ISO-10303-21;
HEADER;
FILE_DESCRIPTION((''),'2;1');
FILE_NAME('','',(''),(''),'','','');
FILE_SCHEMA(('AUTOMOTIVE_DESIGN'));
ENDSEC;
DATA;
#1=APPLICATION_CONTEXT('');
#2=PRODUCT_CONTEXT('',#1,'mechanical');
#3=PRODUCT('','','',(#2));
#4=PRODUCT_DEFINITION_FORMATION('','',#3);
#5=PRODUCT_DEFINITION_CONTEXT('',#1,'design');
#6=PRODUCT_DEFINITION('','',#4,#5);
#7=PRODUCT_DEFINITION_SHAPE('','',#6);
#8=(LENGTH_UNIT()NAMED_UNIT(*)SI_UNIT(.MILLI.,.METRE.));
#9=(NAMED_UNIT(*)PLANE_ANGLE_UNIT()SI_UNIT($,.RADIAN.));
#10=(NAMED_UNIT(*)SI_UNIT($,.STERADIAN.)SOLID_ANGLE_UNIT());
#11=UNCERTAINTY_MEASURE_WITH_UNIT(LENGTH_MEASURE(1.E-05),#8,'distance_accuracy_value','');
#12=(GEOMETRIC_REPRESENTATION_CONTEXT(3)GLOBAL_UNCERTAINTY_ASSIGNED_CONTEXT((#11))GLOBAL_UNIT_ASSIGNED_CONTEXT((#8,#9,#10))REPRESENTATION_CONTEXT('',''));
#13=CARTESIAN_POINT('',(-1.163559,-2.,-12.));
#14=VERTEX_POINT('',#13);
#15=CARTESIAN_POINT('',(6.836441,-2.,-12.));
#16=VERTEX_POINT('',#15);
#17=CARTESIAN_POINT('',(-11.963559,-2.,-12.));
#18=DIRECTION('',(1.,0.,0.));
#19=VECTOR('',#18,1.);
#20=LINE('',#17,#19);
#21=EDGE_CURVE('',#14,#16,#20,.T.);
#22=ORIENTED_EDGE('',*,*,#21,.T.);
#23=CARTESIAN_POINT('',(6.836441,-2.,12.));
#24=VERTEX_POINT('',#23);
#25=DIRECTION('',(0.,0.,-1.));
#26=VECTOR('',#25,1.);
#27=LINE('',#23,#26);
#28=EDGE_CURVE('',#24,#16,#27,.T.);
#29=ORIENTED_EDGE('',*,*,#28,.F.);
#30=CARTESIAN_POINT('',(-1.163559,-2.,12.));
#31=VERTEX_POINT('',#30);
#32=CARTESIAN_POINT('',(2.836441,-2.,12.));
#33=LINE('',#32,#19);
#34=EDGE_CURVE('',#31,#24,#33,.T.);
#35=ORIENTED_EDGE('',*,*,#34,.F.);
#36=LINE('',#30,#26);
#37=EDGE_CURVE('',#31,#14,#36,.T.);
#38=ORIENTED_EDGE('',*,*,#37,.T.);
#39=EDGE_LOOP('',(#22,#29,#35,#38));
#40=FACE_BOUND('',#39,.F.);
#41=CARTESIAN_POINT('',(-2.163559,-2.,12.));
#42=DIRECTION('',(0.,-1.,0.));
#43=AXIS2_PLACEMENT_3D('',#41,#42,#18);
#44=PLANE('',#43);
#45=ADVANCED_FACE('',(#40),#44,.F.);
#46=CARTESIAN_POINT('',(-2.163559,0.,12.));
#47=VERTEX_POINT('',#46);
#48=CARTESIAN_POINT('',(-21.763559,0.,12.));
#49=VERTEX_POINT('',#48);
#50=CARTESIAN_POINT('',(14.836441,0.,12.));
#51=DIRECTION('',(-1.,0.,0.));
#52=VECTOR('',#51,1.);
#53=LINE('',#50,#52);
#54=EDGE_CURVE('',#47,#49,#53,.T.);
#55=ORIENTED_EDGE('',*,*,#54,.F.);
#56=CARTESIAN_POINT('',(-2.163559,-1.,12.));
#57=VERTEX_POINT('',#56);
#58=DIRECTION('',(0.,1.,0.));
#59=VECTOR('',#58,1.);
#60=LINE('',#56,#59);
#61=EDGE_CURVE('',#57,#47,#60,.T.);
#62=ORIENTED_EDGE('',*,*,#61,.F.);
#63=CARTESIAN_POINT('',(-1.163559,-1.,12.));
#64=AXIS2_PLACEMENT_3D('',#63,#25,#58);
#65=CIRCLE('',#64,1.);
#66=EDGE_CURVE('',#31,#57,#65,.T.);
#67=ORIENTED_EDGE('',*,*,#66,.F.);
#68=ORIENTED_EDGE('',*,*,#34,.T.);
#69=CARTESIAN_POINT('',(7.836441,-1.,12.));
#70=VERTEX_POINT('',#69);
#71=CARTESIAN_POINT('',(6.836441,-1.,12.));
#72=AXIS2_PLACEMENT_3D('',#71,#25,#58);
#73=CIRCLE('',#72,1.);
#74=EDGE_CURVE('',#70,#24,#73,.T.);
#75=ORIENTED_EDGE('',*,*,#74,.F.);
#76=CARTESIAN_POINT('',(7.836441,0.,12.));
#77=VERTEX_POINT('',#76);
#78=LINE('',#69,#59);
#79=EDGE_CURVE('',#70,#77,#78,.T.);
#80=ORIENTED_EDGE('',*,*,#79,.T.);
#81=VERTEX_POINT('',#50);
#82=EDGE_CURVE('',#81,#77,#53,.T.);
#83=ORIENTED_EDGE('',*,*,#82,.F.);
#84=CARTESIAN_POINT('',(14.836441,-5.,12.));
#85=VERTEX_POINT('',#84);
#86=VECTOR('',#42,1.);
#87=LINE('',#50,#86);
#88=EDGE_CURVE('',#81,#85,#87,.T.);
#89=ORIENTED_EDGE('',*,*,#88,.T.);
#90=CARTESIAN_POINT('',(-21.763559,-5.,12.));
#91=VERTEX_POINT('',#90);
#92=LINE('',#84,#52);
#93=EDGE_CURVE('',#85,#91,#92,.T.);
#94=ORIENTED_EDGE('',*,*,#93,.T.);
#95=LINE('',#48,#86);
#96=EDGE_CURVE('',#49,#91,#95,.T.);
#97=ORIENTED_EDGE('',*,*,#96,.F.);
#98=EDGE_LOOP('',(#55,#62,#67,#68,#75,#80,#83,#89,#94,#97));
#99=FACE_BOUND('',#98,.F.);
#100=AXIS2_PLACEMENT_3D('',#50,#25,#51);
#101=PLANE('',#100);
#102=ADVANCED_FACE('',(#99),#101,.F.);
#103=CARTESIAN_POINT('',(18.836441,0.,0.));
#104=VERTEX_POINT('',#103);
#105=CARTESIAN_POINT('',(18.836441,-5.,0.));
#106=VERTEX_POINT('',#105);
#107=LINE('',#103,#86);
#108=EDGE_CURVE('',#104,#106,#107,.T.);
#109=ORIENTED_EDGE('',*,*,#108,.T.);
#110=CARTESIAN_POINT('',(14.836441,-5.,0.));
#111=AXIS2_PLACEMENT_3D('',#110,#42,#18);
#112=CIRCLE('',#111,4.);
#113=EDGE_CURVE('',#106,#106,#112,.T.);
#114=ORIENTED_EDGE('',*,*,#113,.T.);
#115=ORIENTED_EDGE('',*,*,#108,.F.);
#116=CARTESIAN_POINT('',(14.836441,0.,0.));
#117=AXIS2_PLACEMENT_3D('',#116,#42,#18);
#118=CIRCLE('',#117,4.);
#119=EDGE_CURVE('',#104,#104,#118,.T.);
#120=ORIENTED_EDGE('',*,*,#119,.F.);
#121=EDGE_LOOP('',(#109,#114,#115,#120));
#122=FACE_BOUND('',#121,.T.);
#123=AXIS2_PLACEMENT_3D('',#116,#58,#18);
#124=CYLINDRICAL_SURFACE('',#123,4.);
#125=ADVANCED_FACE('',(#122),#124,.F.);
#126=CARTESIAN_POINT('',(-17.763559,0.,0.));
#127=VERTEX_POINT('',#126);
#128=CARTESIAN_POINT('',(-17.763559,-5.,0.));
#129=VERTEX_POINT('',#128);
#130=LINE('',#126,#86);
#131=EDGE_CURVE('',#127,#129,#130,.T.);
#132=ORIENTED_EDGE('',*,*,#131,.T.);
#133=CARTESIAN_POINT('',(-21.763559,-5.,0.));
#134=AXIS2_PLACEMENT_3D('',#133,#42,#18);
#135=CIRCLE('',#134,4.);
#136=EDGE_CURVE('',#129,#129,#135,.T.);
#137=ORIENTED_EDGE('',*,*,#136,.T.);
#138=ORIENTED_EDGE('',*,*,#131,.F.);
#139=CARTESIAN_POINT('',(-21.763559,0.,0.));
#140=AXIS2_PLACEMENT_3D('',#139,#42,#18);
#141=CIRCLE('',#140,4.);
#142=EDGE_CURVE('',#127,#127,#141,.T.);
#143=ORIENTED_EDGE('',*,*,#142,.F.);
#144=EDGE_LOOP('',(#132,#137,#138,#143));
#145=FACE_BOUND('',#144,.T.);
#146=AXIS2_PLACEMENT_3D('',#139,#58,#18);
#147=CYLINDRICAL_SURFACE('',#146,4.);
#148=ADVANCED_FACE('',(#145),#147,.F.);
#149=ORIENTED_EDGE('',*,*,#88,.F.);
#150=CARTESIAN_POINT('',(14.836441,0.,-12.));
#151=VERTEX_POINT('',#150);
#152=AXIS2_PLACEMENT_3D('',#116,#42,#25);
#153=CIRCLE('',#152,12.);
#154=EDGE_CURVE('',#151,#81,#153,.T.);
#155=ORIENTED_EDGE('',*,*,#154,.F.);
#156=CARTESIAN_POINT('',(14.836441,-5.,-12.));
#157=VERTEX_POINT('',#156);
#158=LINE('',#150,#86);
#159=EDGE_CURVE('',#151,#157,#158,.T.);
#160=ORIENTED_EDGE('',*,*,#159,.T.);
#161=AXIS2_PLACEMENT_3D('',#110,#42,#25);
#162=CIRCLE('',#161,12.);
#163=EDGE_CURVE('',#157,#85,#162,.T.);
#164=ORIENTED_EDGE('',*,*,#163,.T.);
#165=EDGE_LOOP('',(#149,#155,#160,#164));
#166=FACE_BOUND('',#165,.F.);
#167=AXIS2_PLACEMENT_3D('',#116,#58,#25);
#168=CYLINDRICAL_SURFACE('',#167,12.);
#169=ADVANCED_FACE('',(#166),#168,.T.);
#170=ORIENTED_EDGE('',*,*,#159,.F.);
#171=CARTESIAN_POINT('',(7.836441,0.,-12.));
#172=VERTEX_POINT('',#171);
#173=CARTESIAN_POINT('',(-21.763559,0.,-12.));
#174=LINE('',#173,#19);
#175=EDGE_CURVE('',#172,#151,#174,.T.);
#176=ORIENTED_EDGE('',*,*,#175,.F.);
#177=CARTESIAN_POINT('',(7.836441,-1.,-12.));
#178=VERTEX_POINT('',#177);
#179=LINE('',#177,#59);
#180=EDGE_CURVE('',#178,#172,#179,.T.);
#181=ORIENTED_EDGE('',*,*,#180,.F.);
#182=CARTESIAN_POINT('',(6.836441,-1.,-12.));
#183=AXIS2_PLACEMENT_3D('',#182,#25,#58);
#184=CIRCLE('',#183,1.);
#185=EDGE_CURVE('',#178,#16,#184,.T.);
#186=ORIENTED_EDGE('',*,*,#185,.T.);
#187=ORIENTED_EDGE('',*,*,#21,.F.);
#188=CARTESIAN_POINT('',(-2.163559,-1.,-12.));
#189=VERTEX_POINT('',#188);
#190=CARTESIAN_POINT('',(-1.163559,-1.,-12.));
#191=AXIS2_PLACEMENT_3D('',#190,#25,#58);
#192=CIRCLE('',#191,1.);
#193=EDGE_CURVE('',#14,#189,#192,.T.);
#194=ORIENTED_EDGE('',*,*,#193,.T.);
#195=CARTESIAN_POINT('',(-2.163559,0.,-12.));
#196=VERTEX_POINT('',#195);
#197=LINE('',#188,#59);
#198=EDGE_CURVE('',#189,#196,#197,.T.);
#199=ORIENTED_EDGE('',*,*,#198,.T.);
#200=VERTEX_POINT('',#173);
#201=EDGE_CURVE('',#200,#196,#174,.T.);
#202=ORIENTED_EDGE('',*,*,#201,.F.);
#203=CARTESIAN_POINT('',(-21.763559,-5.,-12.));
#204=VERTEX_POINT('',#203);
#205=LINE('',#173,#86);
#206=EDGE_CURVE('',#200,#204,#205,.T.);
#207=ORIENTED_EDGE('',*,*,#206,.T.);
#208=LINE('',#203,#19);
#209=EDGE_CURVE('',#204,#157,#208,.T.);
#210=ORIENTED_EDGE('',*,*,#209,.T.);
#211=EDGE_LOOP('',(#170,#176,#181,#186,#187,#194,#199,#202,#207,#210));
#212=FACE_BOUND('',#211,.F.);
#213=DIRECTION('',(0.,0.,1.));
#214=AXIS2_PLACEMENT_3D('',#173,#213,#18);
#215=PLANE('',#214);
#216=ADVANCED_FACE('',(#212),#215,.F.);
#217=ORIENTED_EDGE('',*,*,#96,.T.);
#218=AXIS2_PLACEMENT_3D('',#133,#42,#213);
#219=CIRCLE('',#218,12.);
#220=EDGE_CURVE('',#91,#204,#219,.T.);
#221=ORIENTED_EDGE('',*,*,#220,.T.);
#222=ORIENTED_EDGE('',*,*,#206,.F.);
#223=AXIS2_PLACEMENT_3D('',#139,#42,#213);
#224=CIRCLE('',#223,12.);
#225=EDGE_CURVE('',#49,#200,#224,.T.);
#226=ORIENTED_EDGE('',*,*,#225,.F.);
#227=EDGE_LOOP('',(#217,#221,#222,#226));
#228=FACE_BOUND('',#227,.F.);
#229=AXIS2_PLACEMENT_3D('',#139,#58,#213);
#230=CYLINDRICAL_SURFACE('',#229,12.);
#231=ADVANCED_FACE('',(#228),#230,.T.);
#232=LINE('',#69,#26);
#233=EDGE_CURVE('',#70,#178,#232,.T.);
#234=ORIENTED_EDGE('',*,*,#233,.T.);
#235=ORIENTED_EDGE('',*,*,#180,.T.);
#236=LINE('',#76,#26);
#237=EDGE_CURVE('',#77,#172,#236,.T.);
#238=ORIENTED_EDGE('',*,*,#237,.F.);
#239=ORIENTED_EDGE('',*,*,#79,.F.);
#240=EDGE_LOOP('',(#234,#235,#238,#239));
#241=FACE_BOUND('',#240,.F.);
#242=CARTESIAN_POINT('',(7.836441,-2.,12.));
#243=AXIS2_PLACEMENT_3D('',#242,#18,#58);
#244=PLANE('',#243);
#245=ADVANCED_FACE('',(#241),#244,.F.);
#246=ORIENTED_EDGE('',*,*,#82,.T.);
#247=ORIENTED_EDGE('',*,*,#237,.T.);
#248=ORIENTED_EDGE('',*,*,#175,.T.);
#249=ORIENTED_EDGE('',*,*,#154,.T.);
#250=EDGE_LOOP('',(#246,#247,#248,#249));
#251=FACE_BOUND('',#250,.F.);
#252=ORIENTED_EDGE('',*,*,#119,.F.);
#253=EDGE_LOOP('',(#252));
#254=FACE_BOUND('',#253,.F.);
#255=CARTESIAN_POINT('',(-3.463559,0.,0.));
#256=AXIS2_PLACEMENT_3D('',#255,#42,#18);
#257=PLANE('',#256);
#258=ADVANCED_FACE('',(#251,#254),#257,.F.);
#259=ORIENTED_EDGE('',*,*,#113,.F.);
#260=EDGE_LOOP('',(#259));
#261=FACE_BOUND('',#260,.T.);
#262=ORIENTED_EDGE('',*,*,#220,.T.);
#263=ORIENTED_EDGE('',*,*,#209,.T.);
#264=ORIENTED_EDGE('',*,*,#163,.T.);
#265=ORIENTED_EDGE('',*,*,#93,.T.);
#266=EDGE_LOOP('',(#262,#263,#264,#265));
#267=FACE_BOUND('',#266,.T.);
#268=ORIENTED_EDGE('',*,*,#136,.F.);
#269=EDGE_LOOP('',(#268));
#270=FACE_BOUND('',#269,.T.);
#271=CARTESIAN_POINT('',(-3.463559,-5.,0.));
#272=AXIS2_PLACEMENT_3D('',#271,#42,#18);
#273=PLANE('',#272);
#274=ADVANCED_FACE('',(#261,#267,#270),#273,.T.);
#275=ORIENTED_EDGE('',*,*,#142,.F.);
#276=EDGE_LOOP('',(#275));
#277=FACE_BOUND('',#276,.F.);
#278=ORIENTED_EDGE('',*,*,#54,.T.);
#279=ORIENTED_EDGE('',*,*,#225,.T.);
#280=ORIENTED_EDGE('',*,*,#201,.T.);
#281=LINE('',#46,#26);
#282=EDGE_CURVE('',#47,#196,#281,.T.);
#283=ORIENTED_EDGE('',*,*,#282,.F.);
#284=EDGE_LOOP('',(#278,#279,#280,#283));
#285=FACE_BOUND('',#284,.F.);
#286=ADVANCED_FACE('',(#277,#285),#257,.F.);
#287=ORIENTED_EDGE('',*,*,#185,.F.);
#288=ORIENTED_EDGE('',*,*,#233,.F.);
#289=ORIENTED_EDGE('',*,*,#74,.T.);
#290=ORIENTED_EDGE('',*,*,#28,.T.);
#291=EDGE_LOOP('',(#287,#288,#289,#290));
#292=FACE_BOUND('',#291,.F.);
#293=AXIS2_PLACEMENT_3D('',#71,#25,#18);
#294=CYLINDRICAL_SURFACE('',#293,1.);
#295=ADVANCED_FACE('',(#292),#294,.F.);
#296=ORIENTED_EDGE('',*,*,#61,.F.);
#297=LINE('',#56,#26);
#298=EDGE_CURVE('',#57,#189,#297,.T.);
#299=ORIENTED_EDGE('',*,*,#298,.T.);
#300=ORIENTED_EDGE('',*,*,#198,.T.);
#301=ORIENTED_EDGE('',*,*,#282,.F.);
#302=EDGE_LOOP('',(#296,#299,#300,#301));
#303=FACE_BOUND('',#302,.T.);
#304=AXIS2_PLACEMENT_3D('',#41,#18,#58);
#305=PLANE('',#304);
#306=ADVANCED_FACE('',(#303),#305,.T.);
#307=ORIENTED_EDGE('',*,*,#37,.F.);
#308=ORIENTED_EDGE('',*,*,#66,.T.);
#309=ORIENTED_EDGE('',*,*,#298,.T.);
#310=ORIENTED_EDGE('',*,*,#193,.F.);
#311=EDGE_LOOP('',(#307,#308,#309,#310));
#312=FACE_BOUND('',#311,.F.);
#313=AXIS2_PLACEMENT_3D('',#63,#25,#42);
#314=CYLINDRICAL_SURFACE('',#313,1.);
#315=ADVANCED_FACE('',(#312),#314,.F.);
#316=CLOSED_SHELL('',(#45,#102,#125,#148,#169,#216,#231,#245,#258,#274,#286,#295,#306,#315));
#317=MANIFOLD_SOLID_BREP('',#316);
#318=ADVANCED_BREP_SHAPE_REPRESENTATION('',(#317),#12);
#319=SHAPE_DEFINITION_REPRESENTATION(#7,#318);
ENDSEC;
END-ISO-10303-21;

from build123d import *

# Parameters (mm, degrees)
F0_R     = 4
F1_DEPTH = 5
F2_W     = 10
F2_H     = 2
F3_DEPTH = 24.001
F4_R     = 1


with BuildPart() as f1:
    # F0 (on Front) → F1 (new body)
    with BuildSketch(Plane.XZ):
        with BuildLine():
            Line((14.836441, 12), (-21.763559, 12))
            ThreePointArc((-21.763559, 12), (-33.763559, 0), (-21.763559, -12))
            Line((-21.763559, -12), (14.836441, -12))
            ThreePointArc((14.836441, -12), (26.836441, 0), (14.836441, 12))
        make_face()
        with Locations((-21.763559, 0)):
            Circle(F0_R, mode=Mode.SUBTRACT)
        with Locations((14.836441, 0)):
            Circle(F0_R, mode=Mode.SUBTRACT)
    extrude(amount=F1_DEPTH)

    # F2 (on face) → F3 (cut, through all)
    with BuildSketch(Plane.XY.offset(12)):
        with Locations((2.836441, -1)):
            Rectangle(F2_W, F2_H)
    extrude(amount=-F3_DEPTH, mode=Mode.SUBTRACT)

    # F4
    f4_edges = [f1.edges().sort_by_distance(p)[0] for p in [
        (7.836441, -2, 0),
        (-2.163559, -2, 0),
    ]]
    fillet(f4_edges, radius=F4_R)


solid = f1.part
